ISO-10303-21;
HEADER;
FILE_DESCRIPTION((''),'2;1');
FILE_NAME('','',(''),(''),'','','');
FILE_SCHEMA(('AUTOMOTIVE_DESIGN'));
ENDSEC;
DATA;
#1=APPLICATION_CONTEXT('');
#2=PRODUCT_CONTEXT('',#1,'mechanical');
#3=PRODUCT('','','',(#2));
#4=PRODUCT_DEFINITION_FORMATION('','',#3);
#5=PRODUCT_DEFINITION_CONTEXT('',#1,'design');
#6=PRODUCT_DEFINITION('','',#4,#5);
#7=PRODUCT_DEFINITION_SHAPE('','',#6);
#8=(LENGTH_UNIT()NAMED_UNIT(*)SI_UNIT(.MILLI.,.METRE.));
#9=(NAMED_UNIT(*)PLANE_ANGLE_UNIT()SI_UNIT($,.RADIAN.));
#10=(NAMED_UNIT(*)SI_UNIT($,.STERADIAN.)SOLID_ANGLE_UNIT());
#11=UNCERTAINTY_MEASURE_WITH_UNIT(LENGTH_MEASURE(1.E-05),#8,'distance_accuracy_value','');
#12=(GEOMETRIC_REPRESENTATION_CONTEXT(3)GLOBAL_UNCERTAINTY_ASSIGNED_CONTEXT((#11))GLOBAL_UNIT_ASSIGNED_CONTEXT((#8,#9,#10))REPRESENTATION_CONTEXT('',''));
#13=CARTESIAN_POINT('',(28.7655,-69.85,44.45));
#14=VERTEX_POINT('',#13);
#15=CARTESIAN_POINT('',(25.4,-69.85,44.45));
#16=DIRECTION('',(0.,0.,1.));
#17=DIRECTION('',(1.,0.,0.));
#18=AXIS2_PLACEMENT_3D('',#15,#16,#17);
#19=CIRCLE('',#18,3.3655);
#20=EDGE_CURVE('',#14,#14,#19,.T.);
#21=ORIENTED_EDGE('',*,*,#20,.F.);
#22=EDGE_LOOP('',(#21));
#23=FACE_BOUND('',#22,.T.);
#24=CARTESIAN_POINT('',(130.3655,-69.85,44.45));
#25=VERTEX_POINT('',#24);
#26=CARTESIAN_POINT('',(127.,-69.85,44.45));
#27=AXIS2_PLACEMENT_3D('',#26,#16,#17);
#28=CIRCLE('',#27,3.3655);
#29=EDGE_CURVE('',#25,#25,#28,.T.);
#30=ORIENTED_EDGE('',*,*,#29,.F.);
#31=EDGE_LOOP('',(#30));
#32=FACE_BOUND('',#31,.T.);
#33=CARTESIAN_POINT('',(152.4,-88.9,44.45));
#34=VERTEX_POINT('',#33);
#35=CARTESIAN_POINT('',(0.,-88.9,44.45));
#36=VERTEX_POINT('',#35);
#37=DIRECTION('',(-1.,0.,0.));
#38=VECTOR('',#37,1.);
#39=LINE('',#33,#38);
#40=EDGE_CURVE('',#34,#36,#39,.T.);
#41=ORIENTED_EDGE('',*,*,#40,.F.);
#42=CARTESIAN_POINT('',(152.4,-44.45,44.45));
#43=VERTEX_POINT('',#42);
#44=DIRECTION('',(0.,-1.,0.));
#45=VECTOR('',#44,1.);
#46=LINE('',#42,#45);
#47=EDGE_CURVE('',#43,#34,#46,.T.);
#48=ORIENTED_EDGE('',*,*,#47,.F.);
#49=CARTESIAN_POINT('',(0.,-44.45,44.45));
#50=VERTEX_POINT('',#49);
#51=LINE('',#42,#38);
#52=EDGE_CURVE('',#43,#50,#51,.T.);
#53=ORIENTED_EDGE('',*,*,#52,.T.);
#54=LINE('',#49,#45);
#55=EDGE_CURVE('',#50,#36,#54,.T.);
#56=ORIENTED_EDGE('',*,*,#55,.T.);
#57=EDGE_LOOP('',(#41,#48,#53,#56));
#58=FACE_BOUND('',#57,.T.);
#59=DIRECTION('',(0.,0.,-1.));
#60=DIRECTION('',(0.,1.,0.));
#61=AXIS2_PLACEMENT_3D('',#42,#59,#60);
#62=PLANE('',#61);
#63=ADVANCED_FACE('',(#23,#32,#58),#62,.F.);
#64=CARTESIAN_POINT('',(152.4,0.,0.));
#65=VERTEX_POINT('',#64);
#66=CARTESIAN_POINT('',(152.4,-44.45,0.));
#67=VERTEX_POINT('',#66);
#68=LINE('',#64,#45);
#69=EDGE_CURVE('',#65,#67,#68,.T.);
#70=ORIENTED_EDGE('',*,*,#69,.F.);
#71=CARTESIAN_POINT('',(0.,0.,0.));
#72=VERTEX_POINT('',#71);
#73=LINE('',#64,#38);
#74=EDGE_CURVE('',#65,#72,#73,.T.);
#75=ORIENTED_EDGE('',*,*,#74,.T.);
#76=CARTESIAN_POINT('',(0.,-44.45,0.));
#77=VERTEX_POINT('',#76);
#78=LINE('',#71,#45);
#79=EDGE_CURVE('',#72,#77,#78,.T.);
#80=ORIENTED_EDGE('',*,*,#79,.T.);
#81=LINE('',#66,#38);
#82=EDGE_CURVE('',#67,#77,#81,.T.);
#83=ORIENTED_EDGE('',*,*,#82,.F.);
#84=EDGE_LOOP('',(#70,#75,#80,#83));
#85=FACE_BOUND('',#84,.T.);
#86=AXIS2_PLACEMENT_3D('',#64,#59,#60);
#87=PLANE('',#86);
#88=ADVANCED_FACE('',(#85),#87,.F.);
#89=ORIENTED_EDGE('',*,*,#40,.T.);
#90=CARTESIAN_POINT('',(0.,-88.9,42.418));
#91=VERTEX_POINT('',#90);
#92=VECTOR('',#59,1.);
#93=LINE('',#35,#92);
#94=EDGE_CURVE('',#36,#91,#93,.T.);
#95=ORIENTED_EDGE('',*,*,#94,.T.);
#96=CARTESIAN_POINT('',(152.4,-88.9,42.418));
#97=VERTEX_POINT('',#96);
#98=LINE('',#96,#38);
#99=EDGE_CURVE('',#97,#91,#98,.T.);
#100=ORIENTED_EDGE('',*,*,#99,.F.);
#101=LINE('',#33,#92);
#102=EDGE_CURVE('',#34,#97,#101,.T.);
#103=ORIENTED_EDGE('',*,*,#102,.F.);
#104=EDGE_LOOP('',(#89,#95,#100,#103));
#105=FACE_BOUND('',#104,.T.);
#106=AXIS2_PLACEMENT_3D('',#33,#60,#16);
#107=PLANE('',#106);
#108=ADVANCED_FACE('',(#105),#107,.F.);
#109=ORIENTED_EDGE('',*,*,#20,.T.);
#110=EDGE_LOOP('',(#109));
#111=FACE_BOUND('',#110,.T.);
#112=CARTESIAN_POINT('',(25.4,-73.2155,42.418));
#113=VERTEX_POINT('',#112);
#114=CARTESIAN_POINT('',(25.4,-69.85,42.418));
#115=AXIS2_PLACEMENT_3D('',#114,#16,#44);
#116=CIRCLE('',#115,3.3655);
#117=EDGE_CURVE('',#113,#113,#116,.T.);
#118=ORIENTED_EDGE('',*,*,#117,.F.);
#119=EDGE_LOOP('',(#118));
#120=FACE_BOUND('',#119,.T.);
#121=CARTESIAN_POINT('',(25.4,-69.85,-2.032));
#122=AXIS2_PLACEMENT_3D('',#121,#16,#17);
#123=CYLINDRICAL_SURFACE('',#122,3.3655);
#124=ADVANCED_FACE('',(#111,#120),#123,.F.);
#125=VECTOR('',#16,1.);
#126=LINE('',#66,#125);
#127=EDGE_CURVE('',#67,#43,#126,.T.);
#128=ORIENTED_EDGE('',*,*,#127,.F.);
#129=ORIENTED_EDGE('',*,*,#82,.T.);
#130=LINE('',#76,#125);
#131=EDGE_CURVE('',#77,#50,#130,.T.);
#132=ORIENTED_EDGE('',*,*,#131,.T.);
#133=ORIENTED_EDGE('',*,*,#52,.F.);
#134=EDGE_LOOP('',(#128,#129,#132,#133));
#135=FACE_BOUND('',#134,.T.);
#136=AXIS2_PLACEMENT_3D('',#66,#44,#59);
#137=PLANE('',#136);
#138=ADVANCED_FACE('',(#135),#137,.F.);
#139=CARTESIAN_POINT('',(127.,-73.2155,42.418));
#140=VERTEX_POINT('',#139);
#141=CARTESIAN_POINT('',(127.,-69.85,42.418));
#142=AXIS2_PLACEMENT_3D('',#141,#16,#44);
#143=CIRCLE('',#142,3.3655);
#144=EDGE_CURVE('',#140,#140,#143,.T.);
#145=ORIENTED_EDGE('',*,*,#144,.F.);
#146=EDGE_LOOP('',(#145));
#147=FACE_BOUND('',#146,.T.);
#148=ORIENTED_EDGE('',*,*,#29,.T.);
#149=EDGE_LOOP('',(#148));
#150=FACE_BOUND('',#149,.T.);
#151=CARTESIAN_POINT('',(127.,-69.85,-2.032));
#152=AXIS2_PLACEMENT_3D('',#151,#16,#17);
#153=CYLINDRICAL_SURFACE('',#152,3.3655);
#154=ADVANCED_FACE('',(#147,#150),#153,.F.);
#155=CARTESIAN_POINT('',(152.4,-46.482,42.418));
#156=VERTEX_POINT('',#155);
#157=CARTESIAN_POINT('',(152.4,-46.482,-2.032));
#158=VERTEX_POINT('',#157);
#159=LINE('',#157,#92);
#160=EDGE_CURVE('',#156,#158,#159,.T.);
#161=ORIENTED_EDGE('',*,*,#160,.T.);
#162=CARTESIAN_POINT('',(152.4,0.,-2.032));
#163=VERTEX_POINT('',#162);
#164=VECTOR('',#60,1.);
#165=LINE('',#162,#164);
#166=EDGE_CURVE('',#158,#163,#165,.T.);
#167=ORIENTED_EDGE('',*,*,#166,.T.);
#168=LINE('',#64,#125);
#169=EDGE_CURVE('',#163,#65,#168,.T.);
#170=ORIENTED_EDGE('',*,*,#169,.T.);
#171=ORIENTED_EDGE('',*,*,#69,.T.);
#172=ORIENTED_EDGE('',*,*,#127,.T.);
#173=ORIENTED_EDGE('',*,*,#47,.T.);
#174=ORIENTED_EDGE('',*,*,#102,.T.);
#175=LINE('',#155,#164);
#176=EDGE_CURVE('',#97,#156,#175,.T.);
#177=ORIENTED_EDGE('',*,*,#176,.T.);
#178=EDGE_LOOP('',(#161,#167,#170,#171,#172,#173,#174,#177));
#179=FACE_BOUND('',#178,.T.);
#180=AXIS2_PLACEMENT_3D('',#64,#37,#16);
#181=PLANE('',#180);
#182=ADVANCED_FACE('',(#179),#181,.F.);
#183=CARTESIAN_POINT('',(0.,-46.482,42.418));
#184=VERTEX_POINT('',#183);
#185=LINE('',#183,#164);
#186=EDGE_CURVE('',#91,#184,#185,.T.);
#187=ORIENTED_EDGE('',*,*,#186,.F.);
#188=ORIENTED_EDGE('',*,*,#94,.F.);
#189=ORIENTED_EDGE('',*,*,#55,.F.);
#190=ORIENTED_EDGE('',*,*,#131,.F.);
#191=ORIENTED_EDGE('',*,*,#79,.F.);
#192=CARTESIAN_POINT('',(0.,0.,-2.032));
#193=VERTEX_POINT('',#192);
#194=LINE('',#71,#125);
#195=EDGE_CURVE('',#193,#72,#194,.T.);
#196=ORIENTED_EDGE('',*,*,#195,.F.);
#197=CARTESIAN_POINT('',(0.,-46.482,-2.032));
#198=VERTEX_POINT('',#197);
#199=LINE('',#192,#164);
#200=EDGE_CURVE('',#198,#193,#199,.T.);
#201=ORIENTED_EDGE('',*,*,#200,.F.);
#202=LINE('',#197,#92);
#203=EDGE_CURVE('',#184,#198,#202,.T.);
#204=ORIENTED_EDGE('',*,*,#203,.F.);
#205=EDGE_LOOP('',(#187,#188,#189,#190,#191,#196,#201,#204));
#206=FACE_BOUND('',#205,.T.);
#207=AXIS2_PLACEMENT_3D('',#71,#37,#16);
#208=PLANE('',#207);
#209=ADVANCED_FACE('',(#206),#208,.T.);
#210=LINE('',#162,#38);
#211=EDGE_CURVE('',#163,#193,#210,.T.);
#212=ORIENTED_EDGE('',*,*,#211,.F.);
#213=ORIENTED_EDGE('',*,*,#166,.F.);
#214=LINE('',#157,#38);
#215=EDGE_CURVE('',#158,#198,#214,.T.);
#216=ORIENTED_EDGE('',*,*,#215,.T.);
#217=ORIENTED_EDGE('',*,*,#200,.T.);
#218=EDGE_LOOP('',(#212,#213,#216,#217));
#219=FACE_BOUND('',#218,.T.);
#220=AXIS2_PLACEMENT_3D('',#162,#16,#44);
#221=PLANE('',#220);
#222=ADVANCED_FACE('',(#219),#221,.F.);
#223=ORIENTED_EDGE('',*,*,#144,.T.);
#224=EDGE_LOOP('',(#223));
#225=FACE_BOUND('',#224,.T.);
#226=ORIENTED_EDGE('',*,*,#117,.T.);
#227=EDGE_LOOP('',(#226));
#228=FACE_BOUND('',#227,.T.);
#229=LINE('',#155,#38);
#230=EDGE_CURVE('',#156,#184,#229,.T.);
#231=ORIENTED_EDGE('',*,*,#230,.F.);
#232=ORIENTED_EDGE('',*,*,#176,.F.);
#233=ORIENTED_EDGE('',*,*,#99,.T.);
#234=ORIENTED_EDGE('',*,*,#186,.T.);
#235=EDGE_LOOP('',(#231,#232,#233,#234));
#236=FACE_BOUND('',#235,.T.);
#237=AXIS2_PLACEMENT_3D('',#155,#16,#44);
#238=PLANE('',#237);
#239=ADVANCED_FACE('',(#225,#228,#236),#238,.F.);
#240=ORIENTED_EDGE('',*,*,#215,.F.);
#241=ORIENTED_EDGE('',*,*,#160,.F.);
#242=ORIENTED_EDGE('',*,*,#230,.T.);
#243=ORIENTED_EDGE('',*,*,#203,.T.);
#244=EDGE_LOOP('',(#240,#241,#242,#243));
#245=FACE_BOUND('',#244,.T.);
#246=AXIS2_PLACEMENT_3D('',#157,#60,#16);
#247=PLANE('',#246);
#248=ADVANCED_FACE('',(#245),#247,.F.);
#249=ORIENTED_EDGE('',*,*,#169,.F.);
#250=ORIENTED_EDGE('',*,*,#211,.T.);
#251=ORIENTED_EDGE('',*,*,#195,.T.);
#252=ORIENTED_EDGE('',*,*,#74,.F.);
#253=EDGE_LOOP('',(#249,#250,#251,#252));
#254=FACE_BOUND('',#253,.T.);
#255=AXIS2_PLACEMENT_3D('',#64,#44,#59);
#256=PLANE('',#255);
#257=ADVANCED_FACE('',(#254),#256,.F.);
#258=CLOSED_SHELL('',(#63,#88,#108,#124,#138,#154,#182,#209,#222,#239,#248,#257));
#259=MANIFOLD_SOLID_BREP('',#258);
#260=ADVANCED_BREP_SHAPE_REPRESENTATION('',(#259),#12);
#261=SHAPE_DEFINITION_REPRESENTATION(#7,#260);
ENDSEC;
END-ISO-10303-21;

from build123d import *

# Parameters (mm, degrees)
BOSS_EXTRUDE1_DEPTH = 152.4
SKETCH2_R           = 3.3655
CUT_EXTRUDE1_DEPTH  = 47.482


with BuildPart() as part:
    # Sketch1 → Boss-Extrude1 (new body)
    with BuildSketch(Plane(origin=(0, 0, 0), x_dir=(0, 0, -1), z_dir=(1, 0, 0))):
        Polygon((0, 0), (0, -44.45), (-44.45, -44.45), (-44.45, -88.9), (-42.418, -88.9), (-42.418, -46.482), (2.032, -46.482), (2.032, 0), align=None)
    extrude(amount=BOSS_EXTRUDE1_DEPTH)

    # Sketch2 → Cut-Extrude1 (cut, through all)
    with BuildSketch(Plane.XY.offset(44.45)):
        with Locations((25.4, -69.85)):
            Circle(SKETCH2_R)
        with Locations((127, -69.85)):
            Circle(SKETCH2_R)
    extrude(amount=-CUT_EXTRUDE1_DEPTH, mode=Mode.SUBTRACT)


solid = part.part
